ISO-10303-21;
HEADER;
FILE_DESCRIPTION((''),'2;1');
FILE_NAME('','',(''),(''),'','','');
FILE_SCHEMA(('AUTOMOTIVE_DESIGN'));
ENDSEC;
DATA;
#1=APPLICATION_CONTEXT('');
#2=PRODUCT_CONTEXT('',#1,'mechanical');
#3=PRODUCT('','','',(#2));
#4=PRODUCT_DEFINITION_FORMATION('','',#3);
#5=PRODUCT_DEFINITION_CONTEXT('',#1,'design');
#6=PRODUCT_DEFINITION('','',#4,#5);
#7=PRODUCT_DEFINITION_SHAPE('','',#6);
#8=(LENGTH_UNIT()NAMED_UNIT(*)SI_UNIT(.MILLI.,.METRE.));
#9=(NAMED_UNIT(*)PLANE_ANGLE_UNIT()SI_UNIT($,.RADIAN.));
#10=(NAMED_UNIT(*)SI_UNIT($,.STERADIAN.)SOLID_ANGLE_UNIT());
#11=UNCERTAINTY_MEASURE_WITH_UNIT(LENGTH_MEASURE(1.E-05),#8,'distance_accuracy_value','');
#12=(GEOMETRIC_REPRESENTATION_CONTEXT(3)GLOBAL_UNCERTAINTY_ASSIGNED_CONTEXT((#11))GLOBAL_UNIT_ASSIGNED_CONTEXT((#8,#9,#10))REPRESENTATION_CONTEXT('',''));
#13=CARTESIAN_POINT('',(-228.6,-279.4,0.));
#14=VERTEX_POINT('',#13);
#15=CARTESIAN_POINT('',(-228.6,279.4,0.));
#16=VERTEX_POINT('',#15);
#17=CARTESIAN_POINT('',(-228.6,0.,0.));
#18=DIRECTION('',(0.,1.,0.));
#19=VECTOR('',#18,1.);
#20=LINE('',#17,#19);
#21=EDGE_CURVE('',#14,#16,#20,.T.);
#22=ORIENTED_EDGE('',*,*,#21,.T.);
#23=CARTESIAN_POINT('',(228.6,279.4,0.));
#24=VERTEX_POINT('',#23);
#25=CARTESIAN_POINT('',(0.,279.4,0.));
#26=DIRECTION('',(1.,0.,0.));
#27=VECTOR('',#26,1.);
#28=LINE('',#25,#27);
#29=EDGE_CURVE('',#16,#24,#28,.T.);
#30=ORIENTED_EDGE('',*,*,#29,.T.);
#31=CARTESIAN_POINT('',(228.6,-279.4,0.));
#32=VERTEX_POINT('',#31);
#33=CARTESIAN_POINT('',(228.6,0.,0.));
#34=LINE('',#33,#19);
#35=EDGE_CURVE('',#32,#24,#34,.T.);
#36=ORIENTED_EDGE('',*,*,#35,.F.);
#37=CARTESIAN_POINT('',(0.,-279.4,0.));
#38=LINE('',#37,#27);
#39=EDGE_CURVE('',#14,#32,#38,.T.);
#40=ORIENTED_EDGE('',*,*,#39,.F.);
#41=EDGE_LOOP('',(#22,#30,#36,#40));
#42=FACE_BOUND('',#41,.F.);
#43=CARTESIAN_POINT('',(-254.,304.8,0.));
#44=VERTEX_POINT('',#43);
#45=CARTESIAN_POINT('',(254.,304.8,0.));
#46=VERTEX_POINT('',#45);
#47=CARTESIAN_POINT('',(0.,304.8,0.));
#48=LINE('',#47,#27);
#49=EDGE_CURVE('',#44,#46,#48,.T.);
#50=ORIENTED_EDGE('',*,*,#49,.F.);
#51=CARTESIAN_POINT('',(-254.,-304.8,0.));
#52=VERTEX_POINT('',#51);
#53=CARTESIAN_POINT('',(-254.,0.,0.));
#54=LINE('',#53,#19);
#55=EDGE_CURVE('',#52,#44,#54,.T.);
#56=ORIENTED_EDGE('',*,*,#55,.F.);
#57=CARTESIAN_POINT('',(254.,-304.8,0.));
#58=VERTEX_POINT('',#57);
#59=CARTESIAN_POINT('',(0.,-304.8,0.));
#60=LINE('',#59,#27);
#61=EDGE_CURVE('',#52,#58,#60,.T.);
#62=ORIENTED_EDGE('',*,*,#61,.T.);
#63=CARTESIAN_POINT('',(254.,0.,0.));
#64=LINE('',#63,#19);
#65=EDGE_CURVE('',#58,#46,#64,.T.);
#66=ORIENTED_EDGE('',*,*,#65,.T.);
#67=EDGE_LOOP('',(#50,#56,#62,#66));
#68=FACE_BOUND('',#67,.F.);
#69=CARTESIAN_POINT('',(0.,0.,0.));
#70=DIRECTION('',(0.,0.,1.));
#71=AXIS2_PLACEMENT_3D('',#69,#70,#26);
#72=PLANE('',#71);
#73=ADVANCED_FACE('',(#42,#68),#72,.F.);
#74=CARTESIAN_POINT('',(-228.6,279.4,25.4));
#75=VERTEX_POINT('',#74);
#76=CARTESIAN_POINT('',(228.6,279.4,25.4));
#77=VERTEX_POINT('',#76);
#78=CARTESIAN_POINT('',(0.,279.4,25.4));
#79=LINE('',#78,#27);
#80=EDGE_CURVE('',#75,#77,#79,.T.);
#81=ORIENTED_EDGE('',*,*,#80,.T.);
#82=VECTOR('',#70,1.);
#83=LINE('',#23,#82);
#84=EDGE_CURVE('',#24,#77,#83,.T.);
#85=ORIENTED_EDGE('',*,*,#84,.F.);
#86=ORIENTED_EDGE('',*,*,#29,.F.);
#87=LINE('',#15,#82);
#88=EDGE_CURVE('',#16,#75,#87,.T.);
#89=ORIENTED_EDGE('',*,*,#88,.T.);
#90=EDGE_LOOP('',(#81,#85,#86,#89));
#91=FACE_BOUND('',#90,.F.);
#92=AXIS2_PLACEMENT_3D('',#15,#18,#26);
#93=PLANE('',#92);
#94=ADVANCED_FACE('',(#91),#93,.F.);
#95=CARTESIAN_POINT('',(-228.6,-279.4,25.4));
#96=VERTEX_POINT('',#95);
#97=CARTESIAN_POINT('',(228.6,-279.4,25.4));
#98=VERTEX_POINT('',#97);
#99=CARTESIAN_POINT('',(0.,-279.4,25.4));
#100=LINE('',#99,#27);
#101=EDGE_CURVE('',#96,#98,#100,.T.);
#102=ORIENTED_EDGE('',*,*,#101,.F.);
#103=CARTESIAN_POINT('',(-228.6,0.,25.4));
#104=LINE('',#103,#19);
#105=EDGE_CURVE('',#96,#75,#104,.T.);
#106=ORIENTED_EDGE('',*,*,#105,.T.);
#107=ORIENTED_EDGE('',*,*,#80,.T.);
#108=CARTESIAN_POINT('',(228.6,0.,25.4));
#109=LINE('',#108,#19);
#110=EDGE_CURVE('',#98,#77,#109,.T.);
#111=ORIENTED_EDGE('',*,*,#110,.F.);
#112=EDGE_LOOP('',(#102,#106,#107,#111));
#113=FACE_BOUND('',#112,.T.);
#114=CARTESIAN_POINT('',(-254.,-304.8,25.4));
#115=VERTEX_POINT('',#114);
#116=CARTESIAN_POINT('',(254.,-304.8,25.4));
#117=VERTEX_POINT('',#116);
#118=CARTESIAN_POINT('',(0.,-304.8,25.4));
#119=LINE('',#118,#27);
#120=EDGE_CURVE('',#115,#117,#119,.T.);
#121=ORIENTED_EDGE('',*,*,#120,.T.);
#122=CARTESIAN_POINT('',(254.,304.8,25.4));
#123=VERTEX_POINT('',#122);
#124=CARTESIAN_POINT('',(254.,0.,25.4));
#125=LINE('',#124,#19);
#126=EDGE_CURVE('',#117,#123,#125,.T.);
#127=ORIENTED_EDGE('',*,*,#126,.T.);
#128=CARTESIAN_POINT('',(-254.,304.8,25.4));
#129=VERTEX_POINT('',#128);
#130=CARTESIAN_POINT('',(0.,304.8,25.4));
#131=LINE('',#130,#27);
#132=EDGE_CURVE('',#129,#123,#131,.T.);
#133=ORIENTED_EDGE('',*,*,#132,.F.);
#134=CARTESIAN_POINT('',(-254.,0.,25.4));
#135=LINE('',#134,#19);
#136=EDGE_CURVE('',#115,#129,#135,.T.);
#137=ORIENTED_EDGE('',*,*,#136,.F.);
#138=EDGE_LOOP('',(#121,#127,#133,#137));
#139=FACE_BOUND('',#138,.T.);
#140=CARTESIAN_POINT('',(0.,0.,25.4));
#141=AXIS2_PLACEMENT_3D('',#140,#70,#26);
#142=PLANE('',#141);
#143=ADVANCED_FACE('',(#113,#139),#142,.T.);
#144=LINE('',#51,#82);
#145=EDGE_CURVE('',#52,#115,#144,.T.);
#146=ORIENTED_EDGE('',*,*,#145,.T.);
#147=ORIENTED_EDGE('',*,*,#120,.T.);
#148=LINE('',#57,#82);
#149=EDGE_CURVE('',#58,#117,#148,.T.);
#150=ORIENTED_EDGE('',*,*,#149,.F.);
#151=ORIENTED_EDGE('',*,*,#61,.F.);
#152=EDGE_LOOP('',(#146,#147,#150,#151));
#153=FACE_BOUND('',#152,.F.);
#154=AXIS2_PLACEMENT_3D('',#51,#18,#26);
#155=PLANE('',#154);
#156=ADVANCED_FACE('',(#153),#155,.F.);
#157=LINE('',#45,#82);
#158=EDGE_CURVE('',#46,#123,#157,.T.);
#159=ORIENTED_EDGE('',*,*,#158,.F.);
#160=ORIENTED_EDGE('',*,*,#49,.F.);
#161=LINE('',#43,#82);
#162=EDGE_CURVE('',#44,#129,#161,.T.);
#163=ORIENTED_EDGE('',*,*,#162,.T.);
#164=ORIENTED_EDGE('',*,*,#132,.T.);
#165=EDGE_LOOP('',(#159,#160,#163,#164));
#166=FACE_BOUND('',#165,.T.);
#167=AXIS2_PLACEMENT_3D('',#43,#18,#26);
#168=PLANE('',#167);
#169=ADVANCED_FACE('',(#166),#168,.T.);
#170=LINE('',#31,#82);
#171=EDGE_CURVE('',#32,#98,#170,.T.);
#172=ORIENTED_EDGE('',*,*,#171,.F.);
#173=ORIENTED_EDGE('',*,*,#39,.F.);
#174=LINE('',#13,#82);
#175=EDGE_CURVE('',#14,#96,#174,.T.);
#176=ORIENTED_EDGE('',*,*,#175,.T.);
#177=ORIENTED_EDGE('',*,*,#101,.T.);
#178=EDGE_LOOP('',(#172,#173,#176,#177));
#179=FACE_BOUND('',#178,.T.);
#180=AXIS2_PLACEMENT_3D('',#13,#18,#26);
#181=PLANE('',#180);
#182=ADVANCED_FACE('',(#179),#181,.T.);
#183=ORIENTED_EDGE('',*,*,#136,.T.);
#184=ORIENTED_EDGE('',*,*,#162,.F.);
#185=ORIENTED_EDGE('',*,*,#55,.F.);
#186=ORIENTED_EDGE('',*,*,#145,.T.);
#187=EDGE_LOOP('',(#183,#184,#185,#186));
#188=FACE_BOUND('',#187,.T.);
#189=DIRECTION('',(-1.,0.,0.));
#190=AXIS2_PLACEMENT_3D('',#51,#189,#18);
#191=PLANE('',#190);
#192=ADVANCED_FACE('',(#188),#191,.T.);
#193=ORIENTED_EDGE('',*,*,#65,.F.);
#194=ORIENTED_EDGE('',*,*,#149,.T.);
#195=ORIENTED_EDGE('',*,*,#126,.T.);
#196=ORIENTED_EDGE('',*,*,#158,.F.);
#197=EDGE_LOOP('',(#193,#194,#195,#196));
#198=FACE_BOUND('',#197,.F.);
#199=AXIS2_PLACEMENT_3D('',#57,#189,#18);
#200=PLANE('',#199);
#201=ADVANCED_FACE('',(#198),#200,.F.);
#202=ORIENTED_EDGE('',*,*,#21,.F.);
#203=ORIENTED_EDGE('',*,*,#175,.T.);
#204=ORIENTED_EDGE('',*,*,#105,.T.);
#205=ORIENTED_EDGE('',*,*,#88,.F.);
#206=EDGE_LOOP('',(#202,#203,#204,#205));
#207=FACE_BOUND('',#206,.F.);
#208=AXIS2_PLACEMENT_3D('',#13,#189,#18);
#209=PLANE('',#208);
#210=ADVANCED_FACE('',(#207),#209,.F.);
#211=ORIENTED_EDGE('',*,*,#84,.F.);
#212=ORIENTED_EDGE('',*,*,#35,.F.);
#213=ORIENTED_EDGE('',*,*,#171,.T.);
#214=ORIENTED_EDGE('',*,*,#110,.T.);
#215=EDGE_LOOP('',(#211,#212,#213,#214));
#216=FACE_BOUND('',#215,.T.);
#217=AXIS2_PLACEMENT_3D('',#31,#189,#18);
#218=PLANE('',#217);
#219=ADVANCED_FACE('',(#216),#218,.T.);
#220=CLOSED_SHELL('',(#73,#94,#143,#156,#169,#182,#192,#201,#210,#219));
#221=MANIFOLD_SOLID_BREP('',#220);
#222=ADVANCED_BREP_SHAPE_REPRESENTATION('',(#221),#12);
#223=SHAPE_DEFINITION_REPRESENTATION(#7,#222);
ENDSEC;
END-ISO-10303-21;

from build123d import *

# Parameters (mm, degrees)
F1_W     = 508
F1_H     = 609.6
F1_W_2   = 457.2
F1_H_2   = 558.8
F2_DEPTH = 25.4


with BuildPart() as f2:
    # F1 (on face) → F2 (new body)
    with BuildSketch(Plane.XY):
        Rectangle(F1_W, F1_H)
        Rectangle(F1_W_2, F1_H_2, mode=Mode.SUBTRACT)
    extrude(amount=F2_DEPTH)


solid = f2.part
